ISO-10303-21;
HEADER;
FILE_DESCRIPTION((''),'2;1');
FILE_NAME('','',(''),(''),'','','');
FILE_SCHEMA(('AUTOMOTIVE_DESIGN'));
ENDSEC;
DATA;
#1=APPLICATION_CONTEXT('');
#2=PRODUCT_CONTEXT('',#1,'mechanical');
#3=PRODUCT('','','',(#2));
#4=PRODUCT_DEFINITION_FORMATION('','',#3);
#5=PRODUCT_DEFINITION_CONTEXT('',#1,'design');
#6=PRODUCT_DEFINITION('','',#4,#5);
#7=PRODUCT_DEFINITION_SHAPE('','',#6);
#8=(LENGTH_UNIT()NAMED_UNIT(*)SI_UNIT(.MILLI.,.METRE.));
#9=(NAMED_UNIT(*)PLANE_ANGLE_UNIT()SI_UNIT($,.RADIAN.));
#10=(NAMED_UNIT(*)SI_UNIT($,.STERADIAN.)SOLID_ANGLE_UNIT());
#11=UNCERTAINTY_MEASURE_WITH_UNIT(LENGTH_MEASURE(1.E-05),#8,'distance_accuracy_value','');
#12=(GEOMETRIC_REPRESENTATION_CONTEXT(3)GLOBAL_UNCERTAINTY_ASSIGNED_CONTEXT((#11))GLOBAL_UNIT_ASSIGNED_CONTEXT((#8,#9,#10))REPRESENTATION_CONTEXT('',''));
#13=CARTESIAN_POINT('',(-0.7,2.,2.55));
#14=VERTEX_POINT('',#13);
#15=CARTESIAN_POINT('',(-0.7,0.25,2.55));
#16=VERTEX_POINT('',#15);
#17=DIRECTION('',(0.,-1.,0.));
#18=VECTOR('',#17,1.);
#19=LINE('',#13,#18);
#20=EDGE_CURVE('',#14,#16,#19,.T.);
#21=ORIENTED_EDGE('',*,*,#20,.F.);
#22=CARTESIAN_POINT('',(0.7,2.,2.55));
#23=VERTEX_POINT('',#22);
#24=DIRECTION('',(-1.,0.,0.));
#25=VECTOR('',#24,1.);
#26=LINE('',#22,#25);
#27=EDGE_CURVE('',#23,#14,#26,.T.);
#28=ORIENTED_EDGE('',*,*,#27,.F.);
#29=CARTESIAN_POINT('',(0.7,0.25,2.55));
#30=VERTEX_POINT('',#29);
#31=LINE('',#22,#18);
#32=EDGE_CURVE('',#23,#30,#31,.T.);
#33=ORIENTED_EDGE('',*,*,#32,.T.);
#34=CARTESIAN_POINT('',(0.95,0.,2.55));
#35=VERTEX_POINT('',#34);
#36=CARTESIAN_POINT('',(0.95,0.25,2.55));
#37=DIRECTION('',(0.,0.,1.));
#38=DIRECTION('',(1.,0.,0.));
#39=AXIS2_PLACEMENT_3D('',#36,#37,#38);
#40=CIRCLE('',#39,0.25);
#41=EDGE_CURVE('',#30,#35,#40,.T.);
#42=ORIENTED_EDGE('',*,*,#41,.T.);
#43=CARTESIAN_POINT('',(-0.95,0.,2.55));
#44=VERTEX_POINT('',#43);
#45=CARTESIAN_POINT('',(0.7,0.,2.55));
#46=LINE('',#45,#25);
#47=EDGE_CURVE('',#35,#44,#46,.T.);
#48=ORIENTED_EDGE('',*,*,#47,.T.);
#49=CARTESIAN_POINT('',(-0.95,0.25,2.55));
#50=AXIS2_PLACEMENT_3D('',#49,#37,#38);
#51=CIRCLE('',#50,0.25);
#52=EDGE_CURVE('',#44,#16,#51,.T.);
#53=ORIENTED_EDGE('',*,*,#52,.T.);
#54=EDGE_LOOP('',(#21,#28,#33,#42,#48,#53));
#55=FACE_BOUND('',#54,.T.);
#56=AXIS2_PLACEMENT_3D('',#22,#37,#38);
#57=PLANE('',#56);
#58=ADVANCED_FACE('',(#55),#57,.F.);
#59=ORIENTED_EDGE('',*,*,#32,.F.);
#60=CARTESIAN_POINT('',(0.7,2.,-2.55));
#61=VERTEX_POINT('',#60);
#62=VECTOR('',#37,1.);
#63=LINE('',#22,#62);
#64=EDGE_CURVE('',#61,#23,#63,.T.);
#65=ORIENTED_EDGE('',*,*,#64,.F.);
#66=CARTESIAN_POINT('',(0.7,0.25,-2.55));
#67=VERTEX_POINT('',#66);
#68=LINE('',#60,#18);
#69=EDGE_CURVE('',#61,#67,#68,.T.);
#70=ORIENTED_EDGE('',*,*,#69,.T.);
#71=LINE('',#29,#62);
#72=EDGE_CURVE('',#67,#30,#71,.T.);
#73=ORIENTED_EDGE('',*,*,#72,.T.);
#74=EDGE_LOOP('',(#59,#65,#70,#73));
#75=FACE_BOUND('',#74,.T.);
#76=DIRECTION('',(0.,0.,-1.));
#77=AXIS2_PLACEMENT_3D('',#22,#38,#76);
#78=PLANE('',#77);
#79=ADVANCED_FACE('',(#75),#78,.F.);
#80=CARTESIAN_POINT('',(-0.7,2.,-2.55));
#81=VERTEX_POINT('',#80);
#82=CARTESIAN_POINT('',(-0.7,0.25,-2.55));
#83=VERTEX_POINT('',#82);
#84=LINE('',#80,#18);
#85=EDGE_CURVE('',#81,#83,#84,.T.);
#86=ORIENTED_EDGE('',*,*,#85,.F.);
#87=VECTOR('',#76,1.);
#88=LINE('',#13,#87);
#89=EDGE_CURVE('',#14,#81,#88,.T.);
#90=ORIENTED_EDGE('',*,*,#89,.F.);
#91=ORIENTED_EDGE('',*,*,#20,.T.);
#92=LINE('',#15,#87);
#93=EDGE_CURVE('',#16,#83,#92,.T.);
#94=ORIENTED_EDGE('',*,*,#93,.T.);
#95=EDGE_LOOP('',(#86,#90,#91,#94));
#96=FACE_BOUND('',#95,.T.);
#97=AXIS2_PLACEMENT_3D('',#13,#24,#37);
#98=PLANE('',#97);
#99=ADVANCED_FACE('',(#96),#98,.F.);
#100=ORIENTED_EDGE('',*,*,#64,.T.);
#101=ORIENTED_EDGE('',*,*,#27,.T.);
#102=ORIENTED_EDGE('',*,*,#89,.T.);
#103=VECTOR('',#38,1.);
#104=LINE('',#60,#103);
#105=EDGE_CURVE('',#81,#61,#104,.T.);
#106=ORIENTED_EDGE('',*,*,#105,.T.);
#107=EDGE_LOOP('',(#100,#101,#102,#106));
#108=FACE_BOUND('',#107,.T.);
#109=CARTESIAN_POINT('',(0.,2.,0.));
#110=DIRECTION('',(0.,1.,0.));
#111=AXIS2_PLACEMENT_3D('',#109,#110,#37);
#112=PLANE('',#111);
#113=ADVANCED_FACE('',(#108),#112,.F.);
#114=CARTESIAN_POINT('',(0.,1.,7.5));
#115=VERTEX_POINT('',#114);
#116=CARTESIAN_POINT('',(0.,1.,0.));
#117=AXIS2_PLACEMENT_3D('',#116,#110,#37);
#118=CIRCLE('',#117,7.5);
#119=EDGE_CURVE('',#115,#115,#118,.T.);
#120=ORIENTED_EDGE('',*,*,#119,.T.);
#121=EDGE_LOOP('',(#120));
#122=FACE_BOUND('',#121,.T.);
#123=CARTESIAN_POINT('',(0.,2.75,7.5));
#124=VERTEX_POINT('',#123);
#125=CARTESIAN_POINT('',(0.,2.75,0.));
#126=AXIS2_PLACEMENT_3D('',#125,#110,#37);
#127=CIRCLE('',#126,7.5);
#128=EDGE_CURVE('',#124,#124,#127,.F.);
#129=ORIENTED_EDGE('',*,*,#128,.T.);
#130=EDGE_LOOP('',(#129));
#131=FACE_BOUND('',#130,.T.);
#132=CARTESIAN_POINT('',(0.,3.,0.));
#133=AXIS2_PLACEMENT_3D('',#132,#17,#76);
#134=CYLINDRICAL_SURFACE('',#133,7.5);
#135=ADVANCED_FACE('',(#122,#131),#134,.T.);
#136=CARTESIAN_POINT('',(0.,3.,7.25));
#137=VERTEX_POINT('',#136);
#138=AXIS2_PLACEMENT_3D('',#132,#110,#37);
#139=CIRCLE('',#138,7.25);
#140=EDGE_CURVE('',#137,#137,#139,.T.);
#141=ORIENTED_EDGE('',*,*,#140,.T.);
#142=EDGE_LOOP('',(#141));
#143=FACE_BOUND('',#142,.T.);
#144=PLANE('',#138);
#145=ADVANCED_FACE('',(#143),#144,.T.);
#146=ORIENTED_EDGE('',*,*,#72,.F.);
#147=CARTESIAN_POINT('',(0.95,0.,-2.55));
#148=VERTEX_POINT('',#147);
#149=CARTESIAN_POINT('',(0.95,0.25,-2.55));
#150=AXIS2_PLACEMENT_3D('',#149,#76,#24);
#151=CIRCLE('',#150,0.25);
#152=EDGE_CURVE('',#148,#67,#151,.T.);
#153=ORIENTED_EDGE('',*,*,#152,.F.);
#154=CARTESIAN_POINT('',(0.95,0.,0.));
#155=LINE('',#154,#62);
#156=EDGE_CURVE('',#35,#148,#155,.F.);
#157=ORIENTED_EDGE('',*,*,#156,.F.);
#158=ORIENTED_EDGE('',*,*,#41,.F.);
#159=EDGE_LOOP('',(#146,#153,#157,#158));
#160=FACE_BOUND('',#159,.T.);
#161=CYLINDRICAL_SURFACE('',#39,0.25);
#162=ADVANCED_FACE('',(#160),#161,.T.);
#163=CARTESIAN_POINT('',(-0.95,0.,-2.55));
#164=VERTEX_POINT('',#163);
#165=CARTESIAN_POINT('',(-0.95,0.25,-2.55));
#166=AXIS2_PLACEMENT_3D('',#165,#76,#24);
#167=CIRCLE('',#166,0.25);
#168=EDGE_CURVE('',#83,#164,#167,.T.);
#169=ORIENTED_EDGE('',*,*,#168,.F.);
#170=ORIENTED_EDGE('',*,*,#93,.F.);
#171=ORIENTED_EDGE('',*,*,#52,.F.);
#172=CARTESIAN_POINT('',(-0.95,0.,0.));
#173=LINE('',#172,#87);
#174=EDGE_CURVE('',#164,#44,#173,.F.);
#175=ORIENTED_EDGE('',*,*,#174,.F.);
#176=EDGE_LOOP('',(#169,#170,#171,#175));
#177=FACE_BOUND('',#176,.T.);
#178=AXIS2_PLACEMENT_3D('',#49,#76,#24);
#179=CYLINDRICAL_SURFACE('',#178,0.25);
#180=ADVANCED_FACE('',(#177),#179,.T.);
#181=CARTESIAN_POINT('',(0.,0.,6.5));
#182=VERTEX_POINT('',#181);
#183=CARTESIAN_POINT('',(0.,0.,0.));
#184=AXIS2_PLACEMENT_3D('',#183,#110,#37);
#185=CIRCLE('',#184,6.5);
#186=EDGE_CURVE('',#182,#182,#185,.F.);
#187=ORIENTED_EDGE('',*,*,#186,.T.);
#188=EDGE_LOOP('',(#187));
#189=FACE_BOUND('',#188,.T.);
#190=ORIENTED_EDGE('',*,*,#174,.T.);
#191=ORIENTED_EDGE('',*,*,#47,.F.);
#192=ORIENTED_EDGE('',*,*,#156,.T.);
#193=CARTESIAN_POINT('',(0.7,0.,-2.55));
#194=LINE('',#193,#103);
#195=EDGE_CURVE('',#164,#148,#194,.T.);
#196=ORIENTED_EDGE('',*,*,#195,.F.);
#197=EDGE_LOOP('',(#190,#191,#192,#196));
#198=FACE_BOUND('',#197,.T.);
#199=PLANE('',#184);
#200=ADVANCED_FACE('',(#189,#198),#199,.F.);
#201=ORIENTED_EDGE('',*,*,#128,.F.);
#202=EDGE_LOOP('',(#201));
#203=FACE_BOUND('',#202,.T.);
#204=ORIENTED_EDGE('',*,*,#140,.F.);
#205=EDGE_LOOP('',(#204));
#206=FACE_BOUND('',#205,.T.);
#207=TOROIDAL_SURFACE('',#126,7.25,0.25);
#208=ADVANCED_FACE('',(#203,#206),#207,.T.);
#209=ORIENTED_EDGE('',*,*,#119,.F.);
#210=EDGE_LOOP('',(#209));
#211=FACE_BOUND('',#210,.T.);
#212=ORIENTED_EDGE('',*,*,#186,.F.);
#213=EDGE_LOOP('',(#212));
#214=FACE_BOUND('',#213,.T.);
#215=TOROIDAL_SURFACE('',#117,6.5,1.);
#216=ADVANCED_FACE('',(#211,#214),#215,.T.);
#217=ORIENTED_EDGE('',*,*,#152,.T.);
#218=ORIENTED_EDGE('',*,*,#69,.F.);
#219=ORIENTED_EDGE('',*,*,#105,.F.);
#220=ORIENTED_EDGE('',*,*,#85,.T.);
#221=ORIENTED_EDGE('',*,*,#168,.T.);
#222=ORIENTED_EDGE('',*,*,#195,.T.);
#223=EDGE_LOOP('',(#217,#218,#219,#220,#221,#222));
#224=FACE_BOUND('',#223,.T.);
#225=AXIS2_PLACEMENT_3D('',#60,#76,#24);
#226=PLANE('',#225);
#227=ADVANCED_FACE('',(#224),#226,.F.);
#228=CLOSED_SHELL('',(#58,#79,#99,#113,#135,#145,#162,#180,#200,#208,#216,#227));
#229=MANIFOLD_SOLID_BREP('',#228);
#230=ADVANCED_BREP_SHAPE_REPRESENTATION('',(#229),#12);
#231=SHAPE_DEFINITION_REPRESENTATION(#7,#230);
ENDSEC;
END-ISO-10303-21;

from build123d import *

# Parameters (mm, degrees)
SKETCH1_R           = 7.5
BOSS_EXTRUDE1_DEPTH = 3
FILLET1_R           = 1
SKETCH2_W           = 1.4
SKETCH2_H           = 5.1
CUT_EXTRUDE1_DEPTH  = 2
FILLET2_R           = 0.25


with BuildPart() as part:
    # Sketch1 → Boss-Extrude1 (new body)
    with BuildSketch(Plane(origin=(0, 0, 0), x_dir=(1, 0, 0), z_dir=(0, 1, 0))):
        with Locations(Location((0, 0, 0), (0, 0, 270))):  # turned: the seam where the file's is
            Circle(SKETCH1_R)
    extrude(amount=BOSS_EXTRUDE1_DEPTH)

    # Fillet1
    fillet1_edges = [part.edges().sort_by_distance(p)[0] for p in [
        (0, 0, -7.5),
    ]]
    fillet(fillet1_edges, radius=FILLET1_R)

    # Sketch2 → Cut-Extrude1 (cut)
    with BuildSketch(Plane.XZ):
        Rectangle(SKETCH2_W, SKETCH2_H)
    extrude(amount=-CUT_EXTRUDE1_DEPTH, mode=Mode.SUBTRACT)

    # Fillet2
    fillet2_edges = [part.edges().sort_by_distance(p)[0] for p in [
        (-0.7, 0, 0),
        (0.7, 0, 0),
        (0, 3, -7.5),
    ]]
    fillet(fillet2_edges, radius=FILLET2_R)


solid = part.part
